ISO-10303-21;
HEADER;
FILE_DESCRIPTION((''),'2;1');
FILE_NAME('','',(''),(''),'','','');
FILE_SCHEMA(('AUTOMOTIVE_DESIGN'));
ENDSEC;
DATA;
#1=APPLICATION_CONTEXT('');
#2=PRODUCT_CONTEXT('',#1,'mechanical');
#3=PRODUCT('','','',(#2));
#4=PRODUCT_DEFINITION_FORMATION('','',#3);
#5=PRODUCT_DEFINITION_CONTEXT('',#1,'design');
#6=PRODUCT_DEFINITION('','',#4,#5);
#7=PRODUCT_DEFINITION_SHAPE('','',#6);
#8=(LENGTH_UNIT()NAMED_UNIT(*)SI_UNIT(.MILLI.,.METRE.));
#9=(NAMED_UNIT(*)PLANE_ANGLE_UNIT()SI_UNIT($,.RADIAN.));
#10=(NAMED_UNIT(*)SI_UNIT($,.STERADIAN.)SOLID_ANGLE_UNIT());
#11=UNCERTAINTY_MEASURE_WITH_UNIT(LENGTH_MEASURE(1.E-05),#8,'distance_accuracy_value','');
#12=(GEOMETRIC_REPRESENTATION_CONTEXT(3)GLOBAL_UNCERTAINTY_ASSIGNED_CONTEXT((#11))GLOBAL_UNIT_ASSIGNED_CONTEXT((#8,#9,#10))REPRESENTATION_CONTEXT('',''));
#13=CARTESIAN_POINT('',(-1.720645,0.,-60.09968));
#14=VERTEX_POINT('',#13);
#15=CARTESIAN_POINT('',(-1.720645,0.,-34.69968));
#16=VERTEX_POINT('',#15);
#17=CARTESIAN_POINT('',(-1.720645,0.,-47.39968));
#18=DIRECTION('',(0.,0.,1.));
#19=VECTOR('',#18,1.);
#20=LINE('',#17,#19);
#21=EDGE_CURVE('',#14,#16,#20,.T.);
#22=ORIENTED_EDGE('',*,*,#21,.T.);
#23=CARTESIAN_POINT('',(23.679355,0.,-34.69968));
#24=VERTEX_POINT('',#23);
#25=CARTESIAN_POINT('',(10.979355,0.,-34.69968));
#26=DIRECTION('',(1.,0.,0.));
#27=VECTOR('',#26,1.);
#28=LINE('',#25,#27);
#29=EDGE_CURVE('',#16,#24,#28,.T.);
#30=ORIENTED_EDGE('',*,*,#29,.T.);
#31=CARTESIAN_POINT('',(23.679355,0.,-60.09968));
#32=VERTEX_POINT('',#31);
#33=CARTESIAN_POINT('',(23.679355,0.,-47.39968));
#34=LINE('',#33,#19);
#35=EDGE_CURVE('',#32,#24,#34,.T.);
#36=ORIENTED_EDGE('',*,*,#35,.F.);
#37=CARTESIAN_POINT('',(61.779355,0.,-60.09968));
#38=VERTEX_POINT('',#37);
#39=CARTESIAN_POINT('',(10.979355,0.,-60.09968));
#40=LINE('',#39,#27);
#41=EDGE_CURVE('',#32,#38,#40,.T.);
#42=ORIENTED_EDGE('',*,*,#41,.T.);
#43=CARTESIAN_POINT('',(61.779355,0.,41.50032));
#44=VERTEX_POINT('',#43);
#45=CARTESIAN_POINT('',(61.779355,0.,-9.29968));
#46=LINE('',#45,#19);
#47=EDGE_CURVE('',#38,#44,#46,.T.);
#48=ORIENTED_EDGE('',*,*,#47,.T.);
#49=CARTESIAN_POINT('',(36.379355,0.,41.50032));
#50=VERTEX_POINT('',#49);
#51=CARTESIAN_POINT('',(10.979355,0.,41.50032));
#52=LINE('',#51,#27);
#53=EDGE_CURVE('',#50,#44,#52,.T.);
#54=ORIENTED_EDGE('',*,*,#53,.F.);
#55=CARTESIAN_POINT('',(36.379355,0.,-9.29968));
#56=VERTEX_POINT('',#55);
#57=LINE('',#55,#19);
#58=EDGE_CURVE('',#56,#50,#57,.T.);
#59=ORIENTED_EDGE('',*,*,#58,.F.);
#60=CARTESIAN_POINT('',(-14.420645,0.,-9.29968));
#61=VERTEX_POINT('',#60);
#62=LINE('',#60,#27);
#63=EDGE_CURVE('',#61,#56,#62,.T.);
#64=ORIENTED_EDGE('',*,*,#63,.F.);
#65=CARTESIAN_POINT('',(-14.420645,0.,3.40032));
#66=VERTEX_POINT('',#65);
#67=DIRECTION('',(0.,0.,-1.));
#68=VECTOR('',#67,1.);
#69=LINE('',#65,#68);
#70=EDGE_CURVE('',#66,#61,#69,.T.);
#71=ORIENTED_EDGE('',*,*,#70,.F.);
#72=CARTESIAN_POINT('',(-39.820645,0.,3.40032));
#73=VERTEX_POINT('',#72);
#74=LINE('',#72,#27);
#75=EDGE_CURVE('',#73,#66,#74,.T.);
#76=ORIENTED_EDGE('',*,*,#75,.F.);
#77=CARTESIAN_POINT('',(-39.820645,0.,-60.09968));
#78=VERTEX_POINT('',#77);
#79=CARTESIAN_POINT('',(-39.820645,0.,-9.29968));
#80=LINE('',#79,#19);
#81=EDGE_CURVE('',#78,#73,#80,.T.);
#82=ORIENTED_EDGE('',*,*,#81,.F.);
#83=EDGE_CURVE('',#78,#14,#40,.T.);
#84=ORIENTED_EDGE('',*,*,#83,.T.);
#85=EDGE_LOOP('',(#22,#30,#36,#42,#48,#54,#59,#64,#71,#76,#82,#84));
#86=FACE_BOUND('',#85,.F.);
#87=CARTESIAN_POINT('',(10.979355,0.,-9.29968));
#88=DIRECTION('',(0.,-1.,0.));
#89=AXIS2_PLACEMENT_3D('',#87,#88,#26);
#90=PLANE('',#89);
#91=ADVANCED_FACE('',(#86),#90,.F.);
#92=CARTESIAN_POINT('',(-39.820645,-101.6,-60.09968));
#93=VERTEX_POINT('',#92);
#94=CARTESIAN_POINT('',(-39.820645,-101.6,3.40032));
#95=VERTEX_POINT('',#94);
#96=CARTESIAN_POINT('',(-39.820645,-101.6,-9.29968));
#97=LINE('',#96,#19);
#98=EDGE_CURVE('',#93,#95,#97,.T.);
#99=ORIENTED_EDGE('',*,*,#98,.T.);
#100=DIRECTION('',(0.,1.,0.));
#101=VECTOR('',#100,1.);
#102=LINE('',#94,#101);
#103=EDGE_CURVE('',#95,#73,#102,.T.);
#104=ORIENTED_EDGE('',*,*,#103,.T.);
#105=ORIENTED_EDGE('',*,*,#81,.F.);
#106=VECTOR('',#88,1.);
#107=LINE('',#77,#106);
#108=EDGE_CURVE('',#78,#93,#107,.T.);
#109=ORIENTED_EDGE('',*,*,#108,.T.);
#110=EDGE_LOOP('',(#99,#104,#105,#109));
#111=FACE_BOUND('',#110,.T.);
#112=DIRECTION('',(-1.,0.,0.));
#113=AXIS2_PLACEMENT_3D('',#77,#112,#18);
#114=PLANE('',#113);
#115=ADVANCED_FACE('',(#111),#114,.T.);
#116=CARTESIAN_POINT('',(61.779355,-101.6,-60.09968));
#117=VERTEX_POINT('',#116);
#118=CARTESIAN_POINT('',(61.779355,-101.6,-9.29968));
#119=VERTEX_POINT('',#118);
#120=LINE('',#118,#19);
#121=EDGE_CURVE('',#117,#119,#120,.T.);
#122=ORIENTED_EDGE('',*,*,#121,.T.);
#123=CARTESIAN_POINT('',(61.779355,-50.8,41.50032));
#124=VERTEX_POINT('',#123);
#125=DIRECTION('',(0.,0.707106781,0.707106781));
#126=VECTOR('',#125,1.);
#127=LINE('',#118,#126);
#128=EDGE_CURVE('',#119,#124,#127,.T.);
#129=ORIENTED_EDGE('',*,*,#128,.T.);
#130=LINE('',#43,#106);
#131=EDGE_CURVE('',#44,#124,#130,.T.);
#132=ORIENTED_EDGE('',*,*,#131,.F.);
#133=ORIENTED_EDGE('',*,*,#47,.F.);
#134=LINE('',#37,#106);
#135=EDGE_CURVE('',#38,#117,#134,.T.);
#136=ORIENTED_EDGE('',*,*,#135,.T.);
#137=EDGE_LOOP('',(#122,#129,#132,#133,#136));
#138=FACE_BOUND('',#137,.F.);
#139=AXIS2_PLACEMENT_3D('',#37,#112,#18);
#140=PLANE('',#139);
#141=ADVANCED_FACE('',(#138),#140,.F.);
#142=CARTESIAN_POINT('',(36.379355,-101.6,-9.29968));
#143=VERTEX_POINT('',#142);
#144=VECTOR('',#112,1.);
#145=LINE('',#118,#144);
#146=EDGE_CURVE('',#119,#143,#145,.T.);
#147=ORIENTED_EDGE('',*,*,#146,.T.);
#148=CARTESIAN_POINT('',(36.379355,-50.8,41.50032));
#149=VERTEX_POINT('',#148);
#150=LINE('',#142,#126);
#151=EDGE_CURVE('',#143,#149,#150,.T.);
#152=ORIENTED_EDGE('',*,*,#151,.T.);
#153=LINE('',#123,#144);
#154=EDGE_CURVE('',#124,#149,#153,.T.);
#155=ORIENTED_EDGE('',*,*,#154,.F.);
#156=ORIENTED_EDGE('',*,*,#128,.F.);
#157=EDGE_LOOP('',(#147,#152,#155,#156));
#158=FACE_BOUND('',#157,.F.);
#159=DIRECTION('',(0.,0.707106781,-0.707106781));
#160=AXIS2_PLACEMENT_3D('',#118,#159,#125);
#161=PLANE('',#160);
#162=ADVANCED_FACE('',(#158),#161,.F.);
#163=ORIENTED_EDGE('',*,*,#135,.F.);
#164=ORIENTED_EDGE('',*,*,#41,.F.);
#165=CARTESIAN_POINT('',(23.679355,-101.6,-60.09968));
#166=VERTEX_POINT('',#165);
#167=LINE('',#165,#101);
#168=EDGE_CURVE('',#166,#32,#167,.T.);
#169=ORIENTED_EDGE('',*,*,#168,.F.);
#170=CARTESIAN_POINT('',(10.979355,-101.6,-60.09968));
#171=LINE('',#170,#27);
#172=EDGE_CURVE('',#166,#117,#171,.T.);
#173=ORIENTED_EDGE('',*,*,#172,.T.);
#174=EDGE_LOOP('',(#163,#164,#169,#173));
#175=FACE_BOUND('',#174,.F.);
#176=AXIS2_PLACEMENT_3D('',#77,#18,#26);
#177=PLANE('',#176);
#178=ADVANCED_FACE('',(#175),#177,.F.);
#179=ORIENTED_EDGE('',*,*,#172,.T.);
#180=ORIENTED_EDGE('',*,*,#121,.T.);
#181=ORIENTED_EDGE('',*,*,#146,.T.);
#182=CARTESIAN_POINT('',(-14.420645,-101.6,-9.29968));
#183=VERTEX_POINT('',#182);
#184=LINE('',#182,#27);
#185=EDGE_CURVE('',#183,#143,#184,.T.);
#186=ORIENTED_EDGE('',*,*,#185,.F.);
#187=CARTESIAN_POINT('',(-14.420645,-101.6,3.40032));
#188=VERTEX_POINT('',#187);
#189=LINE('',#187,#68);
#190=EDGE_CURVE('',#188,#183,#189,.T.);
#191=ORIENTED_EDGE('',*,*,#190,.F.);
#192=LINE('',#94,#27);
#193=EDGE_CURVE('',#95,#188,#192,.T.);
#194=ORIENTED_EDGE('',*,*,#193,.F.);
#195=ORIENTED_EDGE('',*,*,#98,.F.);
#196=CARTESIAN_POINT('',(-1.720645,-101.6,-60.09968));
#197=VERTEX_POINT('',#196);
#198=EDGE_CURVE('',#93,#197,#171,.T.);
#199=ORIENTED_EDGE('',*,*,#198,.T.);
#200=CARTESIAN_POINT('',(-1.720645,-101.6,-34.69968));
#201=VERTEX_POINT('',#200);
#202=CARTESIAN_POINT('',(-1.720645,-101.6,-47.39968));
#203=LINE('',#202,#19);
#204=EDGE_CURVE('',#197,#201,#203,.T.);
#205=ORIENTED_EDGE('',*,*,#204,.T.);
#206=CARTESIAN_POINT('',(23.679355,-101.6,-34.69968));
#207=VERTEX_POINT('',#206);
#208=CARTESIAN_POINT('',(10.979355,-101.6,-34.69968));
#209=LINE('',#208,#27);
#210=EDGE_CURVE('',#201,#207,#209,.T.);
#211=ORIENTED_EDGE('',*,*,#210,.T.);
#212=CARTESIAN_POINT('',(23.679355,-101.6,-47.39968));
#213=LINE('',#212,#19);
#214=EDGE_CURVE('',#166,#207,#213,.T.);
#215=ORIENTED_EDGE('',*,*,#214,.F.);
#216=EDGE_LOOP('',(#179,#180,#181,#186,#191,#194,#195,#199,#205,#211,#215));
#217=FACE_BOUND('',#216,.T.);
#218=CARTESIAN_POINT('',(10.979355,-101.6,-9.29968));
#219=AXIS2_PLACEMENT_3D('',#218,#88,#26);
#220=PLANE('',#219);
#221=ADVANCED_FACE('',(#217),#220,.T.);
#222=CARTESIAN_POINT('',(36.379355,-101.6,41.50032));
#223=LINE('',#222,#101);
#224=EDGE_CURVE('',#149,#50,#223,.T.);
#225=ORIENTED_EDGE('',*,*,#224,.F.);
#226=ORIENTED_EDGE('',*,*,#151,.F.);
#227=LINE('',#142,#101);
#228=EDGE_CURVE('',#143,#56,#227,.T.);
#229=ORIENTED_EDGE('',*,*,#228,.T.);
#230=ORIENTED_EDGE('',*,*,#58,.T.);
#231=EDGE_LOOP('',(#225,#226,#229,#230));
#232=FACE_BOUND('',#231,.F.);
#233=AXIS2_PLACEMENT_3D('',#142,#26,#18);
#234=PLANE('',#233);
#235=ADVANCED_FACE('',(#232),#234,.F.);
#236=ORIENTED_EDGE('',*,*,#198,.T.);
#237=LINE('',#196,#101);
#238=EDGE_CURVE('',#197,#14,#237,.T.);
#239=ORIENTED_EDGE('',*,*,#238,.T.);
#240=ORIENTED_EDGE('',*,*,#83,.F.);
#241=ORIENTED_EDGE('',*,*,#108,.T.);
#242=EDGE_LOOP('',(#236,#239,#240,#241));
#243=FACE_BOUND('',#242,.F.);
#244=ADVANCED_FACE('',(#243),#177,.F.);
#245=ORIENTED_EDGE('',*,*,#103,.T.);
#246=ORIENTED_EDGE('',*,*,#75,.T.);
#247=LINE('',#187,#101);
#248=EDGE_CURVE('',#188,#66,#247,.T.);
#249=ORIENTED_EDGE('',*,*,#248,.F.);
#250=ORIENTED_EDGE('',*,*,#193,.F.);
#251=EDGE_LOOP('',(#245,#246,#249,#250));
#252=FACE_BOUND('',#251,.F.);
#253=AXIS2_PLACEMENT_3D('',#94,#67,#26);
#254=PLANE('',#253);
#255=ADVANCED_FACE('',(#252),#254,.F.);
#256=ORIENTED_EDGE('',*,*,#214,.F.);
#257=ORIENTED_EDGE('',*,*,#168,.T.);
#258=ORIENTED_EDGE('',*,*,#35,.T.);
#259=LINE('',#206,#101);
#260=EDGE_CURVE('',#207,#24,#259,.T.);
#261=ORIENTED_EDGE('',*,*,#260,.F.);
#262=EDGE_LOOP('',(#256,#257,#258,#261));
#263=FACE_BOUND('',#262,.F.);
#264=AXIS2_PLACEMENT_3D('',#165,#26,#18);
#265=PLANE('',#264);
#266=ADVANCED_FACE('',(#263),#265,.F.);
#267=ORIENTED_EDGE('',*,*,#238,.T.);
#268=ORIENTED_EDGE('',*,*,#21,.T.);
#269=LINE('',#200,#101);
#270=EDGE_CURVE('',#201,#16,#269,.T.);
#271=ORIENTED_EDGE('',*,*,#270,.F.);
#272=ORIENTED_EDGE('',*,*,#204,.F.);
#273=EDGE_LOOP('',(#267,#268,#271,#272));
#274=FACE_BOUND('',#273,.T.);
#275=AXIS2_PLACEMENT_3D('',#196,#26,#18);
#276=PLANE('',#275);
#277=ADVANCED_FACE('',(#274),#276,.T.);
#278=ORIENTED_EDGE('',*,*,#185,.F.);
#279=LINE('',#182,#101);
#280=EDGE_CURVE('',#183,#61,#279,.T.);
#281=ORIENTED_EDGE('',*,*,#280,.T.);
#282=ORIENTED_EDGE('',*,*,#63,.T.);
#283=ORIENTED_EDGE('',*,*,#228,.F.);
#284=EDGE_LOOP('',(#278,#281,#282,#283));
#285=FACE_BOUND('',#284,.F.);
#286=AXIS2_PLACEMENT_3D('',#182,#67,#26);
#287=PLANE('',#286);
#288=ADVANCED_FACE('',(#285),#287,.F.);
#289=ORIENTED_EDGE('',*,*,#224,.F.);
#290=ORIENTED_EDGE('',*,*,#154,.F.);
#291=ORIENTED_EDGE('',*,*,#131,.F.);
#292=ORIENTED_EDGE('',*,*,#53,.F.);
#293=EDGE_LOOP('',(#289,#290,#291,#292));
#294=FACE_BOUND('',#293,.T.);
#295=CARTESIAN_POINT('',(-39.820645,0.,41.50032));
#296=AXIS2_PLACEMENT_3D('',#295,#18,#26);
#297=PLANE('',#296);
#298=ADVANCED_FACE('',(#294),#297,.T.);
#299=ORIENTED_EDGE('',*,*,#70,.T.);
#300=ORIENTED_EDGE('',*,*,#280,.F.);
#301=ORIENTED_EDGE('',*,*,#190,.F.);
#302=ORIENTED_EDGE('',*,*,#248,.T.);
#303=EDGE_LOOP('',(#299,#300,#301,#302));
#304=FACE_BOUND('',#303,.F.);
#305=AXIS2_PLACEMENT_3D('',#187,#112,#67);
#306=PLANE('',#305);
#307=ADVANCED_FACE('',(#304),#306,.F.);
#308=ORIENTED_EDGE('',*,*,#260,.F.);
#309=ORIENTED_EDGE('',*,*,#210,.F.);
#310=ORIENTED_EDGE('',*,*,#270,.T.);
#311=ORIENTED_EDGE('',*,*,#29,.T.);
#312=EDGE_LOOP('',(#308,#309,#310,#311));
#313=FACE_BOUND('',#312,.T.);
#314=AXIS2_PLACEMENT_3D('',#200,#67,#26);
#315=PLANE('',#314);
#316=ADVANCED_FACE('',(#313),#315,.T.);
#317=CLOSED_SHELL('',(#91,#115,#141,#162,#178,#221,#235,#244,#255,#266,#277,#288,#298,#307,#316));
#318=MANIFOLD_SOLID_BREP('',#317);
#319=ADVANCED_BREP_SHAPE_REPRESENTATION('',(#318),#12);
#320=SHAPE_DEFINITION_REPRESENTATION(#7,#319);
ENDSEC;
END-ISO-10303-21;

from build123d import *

# Parameters (mm, degrees)
F0_W     = 101.6
F0_H     = 101.6
F1_DEPTH = 101.6
F3_DEPTH = 101.6
F4_W     = 25.4
F4_H     = 25.4
F5_DEPTH = 101.6
F7_DEPTH = 25.4


with BuildPart() as f1:
    # F0 (on Front) → F1 (new body)
    with BuildSketch(Plane.XZ):
        with Locations((10.979355, -9.29968)):
            Rectangle(F0_W, F0_H)
    extrude(amount=F1_DEPTH)

    # F2 (on face) → F3 (cut)
    with BuildSketch(Plane.XZ.offset(101.6)):
        Polygon((-39.820645, 41.50032), (-39.820645, 3.40032), (-14.420645, 3.40032), (-14.420645, -9.29968), (36.379355, -9.29968), (36.379355, 41.50032), align=None)
    extrude(amount=-F3_DEPTH, mode=Mode.SUBTRACT)

    # F4 (on face) → F5 (cut)
    with BuildSketch(Plane.XZ.offset(101.6)):
        with Locations((10.979355, -47.39968)):
            Rectangle(F4_W, F4_H)
    extrude(amount=-F5_DEPTH, mode=Mode.SUBTRACT)

    # F6 (on face) → F7 (cut)
    with BuildSketch(Plane.YZ.offset(61.779355)):
        Polygon((-101.6, -9.29968), (-50.8, 41.50032), (-101.6, 41.50032), align=None)
    extrude(amount=-F7_DEPTH, mode=Mode.SUBTRACT)


solid = f1.part
